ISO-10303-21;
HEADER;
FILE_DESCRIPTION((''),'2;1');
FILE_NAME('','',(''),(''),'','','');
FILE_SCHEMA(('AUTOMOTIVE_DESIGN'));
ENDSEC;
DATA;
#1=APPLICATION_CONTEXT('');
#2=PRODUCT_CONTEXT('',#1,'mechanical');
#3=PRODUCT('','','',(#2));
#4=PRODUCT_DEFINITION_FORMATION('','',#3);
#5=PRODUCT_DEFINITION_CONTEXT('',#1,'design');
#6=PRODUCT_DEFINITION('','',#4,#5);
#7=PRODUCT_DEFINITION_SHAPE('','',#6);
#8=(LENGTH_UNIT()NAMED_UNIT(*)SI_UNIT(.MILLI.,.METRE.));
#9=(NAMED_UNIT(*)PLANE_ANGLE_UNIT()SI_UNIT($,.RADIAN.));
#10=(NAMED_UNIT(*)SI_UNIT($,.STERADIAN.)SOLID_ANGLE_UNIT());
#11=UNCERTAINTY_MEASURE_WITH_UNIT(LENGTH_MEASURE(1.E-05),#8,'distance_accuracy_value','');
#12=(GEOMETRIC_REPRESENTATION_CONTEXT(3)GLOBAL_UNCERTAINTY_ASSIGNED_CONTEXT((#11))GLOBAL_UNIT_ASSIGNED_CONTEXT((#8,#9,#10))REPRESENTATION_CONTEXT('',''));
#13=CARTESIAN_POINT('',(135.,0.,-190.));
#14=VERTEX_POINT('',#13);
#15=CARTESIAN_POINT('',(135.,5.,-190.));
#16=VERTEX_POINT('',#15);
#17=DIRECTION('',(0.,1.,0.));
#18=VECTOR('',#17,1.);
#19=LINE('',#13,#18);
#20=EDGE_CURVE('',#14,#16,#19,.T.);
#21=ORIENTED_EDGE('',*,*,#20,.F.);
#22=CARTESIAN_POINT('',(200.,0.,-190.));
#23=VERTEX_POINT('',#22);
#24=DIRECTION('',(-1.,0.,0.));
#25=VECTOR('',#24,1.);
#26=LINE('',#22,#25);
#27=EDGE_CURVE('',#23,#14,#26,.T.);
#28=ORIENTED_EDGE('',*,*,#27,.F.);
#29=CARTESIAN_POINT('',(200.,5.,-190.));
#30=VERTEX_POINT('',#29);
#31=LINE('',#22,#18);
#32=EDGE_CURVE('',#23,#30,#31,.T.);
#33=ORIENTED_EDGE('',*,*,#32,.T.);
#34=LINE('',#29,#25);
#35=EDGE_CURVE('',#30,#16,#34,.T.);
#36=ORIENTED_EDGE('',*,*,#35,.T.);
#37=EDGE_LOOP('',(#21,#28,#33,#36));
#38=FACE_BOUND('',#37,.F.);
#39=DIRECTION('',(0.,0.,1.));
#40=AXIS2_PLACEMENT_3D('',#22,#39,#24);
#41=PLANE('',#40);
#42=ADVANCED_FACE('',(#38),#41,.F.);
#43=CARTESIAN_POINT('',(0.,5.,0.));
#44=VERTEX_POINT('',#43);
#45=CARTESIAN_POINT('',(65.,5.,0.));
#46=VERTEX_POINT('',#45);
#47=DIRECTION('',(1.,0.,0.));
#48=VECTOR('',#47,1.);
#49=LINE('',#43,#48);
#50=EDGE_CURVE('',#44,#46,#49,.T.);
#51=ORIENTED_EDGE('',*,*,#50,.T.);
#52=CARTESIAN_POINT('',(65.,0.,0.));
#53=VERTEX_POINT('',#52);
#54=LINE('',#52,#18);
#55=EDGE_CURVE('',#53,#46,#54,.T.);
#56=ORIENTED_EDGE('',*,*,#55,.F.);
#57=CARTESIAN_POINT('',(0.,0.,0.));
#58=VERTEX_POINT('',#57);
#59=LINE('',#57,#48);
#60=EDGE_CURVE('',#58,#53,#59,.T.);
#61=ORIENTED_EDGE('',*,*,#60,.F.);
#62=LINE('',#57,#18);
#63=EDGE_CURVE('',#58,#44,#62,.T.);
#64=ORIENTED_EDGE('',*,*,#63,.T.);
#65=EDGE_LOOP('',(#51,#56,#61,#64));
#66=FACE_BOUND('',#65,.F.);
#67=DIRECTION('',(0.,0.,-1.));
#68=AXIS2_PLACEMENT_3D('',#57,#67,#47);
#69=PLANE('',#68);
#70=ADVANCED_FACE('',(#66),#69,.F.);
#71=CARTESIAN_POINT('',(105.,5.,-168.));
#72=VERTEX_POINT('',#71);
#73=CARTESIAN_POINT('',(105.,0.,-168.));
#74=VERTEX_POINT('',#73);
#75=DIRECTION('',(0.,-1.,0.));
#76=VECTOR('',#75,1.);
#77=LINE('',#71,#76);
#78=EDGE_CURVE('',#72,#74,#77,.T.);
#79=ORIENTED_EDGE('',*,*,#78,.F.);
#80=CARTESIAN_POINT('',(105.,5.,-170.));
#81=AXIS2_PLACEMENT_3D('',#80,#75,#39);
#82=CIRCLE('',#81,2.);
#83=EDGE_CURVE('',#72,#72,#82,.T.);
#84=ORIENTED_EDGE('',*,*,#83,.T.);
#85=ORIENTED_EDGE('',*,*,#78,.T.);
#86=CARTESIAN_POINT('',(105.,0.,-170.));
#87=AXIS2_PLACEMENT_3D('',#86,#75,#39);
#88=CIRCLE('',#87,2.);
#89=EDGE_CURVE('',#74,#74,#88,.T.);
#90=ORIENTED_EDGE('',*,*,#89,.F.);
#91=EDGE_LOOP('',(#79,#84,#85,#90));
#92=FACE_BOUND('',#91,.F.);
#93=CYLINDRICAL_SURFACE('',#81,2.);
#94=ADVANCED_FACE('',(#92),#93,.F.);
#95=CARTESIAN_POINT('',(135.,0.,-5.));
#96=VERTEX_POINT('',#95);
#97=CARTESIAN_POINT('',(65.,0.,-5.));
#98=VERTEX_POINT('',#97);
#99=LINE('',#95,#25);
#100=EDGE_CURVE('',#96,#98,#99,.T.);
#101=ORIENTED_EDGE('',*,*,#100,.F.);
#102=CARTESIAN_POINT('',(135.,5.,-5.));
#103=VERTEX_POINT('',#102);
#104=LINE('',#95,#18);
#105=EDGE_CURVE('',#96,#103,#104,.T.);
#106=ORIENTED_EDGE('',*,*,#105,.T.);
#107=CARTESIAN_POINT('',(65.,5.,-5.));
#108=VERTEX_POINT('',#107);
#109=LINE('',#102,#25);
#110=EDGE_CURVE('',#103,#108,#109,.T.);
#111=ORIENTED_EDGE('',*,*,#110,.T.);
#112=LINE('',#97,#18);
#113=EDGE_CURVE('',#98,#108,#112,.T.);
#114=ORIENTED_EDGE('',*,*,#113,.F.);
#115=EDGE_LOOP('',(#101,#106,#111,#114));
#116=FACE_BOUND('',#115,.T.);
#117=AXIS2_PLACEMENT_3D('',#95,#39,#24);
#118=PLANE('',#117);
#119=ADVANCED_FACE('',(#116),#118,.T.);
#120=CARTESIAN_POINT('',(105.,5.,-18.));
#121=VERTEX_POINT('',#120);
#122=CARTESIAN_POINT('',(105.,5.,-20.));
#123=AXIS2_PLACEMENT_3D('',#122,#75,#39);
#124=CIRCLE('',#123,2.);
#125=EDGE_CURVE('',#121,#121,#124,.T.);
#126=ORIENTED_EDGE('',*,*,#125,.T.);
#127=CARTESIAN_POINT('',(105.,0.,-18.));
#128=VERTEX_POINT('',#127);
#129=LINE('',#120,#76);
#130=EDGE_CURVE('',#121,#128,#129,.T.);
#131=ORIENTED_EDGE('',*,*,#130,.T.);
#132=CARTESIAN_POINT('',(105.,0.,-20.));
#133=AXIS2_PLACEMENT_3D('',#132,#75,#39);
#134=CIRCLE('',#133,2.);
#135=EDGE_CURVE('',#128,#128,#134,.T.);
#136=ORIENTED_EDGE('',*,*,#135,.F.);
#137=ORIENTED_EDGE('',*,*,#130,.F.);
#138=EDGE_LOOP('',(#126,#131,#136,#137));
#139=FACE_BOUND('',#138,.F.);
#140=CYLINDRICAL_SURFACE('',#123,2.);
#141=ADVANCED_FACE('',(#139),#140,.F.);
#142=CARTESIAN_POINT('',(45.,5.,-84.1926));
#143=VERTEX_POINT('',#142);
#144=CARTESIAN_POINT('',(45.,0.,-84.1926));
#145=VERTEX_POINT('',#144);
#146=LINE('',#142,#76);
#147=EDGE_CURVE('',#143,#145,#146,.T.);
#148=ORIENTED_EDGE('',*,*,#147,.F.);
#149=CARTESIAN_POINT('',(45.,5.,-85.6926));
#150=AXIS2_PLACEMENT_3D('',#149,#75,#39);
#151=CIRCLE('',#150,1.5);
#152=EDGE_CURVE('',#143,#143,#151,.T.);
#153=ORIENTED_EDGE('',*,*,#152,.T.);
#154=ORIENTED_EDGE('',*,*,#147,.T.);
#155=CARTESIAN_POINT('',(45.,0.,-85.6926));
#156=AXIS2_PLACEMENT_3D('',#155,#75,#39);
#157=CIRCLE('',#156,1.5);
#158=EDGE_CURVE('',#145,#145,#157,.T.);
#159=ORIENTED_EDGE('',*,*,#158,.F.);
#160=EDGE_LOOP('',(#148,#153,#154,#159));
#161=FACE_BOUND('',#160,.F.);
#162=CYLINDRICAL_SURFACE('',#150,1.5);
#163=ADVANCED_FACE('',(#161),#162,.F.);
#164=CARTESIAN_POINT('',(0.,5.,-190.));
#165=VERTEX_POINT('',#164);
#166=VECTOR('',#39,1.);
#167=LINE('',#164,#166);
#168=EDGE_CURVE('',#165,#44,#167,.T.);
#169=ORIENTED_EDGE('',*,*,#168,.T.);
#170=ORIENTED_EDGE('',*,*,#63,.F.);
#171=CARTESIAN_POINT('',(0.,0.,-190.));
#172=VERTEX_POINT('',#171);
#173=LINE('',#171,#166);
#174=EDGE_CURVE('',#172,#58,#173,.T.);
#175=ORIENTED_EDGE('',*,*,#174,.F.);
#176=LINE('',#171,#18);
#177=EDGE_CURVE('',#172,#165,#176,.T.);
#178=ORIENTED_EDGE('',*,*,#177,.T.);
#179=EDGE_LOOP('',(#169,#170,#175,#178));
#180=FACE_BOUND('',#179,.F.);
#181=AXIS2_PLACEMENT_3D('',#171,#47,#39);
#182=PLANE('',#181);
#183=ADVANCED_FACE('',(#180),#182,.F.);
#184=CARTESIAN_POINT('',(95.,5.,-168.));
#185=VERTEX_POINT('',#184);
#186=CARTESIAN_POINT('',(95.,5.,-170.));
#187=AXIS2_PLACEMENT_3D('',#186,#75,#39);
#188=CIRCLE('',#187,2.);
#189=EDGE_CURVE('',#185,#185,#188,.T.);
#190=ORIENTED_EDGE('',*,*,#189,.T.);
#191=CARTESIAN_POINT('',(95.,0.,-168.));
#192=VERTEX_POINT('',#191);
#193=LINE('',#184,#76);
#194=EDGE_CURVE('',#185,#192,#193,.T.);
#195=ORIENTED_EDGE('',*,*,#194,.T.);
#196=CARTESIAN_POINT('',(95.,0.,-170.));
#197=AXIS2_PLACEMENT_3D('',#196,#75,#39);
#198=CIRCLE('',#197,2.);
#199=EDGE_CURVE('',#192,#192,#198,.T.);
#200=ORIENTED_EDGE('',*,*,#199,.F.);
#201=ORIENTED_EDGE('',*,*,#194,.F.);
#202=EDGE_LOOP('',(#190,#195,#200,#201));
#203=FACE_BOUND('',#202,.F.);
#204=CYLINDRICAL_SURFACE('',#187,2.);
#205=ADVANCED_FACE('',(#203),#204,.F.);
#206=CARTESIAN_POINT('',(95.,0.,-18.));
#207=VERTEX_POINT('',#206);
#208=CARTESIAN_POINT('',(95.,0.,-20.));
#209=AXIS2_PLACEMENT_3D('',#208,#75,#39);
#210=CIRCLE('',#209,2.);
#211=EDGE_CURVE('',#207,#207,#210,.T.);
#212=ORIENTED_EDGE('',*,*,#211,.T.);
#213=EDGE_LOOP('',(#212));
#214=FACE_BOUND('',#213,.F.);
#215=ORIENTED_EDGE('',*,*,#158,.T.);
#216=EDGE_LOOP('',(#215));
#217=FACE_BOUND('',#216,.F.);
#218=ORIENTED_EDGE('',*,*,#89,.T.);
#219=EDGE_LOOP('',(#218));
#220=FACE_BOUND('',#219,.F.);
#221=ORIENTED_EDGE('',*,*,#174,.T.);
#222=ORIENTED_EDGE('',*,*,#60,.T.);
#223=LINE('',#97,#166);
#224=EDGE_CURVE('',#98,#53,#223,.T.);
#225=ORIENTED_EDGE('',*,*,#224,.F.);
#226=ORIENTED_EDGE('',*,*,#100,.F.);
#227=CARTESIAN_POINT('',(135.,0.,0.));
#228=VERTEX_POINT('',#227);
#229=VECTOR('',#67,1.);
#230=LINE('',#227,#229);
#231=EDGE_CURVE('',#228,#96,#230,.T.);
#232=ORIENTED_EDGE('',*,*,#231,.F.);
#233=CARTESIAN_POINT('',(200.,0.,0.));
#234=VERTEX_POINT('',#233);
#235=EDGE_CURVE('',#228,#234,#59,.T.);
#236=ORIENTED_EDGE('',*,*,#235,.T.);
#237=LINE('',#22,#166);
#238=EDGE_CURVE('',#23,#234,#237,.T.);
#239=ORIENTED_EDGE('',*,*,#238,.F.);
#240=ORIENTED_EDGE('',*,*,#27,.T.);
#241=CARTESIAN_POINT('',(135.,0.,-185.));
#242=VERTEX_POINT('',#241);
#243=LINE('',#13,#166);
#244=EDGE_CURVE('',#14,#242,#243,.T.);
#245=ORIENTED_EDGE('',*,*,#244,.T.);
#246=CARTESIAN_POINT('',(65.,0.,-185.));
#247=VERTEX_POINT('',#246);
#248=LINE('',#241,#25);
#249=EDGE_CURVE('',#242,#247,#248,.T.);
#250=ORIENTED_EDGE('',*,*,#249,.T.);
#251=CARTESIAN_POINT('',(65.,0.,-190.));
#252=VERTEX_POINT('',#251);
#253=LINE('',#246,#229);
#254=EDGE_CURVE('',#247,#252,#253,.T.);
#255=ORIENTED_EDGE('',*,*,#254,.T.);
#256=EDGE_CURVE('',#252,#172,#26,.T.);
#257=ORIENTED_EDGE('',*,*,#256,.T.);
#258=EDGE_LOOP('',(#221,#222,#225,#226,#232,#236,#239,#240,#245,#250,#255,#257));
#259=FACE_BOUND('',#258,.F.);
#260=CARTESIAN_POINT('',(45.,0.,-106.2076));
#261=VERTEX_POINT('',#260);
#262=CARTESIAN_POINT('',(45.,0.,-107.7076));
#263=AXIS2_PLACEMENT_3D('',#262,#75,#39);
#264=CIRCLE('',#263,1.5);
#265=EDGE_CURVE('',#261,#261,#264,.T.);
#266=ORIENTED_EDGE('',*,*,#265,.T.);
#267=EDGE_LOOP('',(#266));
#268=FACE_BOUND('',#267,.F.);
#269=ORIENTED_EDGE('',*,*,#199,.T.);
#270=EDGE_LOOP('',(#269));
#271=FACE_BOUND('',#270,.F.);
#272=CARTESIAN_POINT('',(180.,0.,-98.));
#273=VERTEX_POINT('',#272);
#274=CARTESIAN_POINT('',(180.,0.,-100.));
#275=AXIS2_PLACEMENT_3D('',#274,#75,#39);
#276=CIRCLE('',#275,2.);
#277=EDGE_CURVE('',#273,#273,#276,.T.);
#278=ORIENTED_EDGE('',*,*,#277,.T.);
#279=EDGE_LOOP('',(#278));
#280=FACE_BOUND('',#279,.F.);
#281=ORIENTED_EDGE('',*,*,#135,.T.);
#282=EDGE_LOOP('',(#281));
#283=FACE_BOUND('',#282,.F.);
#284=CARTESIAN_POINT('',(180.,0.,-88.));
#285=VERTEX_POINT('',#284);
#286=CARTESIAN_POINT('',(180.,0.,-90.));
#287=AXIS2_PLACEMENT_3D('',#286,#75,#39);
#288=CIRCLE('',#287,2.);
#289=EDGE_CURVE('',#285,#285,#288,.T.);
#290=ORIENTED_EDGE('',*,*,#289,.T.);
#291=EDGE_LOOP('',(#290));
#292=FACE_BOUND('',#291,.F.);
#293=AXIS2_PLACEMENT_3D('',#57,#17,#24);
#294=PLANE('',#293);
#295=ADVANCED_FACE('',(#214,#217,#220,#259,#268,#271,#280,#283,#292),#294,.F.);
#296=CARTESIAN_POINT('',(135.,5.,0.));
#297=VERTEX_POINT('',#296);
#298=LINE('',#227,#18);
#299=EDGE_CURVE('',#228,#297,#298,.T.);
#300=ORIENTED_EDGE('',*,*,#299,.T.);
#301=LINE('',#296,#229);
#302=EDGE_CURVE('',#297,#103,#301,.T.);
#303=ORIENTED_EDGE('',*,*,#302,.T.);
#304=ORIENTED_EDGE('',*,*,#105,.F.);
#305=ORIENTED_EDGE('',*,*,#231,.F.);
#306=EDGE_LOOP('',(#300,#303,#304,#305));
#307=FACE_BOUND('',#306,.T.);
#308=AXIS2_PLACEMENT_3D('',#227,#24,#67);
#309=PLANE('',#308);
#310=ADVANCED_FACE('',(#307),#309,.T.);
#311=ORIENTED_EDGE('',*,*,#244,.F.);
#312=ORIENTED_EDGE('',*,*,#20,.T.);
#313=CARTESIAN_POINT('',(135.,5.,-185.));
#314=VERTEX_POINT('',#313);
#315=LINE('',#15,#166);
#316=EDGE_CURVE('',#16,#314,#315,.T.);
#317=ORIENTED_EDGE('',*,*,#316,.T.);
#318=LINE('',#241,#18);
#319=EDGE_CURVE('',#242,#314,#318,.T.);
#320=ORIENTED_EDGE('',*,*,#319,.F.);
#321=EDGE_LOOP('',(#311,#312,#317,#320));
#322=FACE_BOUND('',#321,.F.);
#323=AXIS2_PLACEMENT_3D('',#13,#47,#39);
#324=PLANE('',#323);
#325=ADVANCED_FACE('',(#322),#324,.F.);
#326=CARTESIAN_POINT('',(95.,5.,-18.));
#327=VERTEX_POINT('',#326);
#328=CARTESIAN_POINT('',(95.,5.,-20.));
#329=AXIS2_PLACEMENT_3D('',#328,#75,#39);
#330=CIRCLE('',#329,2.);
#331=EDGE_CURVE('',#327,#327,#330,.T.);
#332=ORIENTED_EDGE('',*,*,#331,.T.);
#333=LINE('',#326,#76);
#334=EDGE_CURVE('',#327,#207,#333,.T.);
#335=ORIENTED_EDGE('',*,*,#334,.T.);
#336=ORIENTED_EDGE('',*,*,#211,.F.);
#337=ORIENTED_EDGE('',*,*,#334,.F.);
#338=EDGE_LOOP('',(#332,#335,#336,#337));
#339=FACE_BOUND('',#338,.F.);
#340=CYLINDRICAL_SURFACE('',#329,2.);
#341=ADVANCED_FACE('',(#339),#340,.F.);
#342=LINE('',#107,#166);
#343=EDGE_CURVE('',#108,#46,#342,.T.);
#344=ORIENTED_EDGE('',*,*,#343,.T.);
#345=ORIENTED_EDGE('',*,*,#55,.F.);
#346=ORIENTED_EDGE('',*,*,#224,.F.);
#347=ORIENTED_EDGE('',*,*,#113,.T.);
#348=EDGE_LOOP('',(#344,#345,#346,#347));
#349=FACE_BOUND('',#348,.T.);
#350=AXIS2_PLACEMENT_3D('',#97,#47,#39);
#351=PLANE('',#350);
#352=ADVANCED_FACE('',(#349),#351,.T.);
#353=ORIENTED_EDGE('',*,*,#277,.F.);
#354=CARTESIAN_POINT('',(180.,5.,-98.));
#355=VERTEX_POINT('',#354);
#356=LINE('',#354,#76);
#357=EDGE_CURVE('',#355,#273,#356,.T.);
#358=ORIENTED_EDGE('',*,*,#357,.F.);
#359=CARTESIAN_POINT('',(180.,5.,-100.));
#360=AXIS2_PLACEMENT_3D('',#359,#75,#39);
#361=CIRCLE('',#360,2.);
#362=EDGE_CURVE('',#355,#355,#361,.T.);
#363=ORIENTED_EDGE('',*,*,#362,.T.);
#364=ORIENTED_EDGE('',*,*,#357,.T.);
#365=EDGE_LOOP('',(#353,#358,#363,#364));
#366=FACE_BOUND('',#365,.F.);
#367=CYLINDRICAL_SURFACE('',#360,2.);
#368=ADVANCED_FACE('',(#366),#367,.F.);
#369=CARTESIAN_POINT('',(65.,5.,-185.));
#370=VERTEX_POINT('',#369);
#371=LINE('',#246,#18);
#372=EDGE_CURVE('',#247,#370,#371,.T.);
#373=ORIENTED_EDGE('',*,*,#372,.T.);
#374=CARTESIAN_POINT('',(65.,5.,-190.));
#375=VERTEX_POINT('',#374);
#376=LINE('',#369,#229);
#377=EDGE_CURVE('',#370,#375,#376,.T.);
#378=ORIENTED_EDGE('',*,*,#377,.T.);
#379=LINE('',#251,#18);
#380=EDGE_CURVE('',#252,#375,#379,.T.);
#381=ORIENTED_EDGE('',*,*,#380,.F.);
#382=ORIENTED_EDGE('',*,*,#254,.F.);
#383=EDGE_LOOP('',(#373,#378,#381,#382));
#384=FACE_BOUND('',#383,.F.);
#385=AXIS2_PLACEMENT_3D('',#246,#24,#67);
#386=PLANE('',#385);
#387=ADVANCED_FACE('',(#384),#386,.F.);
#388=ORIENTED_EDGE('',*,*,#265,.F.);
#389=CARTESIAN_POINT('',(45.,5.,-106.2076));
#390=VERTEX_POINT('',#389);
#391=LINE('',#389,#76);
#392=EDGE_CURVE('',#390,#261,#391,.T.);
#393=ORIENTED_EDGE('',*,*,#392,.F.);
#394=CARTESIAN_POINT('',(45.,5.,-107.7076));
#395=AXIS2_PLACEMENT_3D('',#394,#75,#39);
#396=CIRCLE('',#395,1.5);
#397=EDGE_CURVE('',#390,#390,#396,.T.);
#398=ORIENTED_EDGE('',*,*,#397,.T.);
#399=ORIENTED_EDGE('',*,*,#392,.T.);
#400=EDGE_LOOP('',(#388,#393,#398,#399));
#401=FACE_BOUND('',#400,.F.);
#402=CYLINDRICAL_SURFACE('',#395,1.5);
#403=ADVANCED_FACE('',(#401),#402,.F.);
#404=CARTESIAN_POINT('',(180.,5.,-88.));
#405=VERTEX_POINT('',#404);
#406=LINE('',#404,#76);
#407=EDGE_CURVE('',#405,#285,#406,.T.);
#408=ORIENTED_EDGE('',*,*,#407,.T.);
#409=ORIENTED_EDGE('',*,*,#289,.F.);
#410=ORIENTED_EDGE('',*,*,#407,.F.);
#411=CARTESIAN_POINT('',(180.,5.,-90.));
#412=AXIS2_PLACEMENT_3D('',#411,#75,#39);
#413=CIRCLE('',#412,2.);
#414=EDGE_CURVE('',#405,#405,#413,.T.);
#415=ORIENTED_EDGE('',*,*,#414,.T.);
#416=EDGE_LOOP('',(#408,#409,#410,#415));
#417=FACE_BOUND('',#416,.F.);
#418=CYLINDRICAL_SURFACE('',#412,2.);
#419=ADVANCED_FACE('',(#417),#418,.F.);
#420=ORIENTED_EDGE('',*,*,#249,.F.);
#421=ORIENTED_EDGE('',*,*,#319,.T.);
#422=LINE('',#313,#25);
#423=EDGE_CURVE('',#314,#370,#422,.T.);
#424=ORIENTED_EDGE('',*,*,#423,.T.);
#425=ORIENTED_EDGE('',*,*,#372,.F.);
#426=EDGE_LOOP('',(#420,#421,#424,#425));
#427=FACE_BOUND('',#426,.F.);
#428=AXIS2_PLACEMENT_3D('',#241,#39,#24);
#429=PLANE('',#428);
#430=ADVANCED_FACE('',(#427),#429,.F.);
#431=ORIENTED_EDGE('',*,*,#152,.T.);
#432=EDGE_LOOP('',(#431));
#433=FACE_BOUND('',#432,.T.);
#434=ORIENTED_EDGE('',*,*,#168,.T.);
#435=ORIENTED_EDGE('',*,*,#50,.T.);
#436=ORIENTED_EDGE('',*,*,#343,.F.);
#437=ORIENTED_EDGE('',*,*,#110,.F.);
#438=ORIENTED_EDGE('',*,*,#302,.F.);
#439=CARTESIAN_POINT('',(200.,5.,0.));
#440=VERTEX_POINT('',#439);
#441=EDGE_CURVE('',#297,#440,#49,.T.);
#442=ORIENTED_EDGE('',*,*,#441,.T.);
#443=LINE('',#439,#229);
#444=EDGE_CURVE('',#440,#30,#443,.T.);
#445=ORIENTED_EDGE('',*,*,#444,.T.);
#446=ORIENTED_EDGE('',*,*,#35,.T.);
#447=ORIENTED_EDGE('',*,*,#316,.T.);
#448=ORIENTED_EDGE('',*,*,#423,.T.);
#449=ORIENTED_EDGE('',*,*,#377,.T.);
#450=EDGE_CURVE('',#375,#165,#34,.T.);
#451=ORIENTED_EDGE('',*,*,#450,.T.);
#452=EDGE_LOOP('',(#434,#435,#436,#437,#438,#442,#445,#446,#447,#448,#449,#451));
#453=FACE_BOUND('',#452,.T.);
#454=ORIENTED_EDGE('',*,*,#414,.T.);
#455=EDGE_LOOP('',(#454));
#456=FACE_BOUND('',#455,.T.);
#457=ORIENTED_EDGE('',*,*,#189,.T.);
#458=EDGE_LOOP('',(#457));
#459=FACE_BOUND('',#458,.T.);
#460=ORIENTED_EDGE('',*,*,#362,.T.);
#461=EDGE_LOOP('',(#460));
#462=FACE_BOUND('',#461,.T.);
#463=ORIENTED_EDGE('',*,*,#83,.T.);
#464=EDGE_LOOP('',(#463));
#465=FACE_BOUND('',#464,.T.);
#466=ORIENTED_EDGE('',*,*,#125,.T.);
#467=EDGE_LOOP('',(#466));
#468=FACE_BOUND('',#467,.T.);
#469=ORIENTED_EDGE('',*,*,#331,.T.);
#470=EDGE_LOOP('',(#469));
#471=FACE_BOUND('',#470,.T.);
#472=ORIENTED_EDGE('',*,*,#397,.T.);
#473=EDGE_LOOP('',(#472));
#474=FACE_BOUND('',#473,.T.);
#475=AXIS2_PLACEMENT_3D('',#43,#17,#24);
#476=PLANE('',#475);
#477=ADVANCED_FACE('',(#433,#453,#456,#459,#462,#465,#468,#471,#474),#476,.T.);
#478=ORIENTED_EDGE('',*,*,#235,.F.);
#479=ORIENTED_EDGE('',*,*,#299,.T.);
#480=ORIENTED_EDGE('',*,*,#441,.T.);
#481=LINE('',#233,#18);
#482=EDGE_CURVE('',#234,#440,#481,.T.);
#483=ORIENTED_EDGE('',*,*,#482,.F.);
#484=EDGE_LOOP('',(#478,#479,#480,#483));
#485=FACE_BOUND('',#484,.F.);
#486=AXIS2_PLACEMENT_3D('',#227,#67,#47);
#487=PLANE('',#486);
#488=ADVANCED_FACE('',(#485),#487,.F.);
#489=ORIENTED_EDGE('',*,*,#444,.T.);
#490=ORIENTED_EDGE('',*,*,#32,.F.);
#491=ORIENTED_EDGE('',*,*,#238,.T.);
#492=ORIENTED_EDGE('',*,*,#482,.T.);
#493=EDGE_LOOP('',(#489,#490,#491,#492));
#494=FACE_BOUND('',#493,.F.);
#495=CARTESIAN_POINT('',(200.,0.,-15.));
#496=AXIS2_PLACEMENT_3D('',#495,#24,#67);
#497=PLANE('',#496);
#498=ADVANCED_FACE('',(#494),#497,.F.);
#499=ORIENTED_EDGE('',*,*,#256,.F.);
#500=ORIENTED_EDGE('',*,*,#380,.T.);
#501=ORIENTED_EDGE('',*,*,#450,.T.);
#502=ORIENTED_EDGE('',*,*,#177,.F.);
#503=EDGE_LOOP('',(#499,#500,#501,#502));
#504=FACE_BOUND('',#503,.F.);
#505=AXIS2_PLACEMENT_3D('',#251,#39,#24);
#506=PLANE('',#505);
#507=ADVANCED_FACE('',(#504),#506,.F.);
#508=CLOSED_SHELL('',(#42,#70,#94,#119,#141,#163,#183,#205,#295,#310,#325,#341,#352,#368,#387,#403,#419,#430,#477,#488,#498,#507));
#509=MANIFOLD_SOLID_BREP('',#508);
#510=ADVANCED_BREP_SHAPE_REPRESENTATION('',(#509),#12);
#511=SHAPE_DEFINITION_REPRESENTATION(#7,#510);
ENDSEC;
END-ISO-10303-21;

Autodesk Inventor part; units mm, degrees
ref_plane "YZ Plane" through (0, 0, 0) normal (1, 0, 0) x (0, 1, 0)
ref_plane "XZ Plane" through (0, 0, 0) normal (0, 1, 0) x (-1, 0, 0)
ref_plane "XY Plane" through (0, 0, 0) normal (0, 0, 1) x (1, 0, 0)
sketch "Sketch1" plane through (0, 0, 0) normal (0, 1, 0) x (-1, 0, 0)
  line L0 (0, 0) -> (-200, 0)
  line L1 (-200, 0) -> (-200, -190)
  line L2 (-200, -190) -> (0, -190)
  line L3 (0, -190) -> (0, 0)
  line L4 (-65, 0) -> (-135, 0)
  line L5 (-135, 0) -> (-135, -5)
  line L6 (-135, -5) -> (-65, -5)
  line L7 (-65, -5) -> (-65, 0)
  line L8 (-200, -95) -> (0, -95) construction
  line L9 (-65, -190) -> (-135, -190)
  line L10 (-135, -190) -> (-135, -185)
  line L11 (-135, -185) -> (-65, -185)
  line L12 (-65, -185) -> (-65, -190)
  line L13 (-200, -215) -> (-200, -15)
  dimension "d0" = 200
  dimension "d2" = 70
  dimension "d3" = 5
  dimension "d11" = 0
  dimension "d13" = 190
extrude "Extrusion1" add sketch "Sketch1" along normal blind 5 contours L3 L2 L12 L11 L10 L1 L0 L5 L6 L7
sketch "Sketch2" plane through (0, 5, 0) normal (0, 1, 0) x (1, 0, 0)
  line L0 (0, 0) -> (65, 0) projected
  line L1 (135, 0) -> (200, 0) projected
  line L2 (65, 0) -> (65, 5) projected
  line L3 (0, 190) -> (0, 0) projected
  line L4 (0, 95) -> (200, 95)
  point P0 (95, 20)
  point P1 (105, 20)
  point P2 (95, 170)
  point P3 (105, 170)
  dimension "d22" = 20
  dimension "d23" = 10
  dimension "d24" = 20
  dimension "d25" = 30
hole "Hole1" at (95, 5, -20) at (105, 5, -20) at (95, 5, -170) at (105, 5, -170) direction (0, -1, 0) diameter 4 end through all
sketch "Sketch5" plane through (0, 5, 0) normal (0, 1, 0) x (1, 0, 0)
  line L0 (200, 0) -> (200, 190) projected
  line L1 (200, 190) -> (135, 190) projected
  point P0 (0, 0)
  point P1 (180, 90)
  point P2 (180, 100)
  dimension "d51" = 20
  dimension "d52" = 20
  dimension "d53" = 10
  dimension "d54" = 90
hole "Hole4" at (180, 5, -90) at (180, 5, -100) direction (0, -1, 0) diameter 4 end through all
sketch "Sketch6" plane through (0, 5, 0) normal (0, 1, 0) x (1, 0, 0)
  line L0 (0, 190) -> (0, 0) projected
  point P0 (45, 85.6926)
  point P1 (45, 107.7076)
  dimension "d62" = 45
  dimension "d63" = 45
  dimension "d64" = 22.015
hole "Hole5" at (45, 5, -85.6926) at (45, 5, -107.7076) direction (0, -1, 0) diameter 3 end through all
properties part number "top"
